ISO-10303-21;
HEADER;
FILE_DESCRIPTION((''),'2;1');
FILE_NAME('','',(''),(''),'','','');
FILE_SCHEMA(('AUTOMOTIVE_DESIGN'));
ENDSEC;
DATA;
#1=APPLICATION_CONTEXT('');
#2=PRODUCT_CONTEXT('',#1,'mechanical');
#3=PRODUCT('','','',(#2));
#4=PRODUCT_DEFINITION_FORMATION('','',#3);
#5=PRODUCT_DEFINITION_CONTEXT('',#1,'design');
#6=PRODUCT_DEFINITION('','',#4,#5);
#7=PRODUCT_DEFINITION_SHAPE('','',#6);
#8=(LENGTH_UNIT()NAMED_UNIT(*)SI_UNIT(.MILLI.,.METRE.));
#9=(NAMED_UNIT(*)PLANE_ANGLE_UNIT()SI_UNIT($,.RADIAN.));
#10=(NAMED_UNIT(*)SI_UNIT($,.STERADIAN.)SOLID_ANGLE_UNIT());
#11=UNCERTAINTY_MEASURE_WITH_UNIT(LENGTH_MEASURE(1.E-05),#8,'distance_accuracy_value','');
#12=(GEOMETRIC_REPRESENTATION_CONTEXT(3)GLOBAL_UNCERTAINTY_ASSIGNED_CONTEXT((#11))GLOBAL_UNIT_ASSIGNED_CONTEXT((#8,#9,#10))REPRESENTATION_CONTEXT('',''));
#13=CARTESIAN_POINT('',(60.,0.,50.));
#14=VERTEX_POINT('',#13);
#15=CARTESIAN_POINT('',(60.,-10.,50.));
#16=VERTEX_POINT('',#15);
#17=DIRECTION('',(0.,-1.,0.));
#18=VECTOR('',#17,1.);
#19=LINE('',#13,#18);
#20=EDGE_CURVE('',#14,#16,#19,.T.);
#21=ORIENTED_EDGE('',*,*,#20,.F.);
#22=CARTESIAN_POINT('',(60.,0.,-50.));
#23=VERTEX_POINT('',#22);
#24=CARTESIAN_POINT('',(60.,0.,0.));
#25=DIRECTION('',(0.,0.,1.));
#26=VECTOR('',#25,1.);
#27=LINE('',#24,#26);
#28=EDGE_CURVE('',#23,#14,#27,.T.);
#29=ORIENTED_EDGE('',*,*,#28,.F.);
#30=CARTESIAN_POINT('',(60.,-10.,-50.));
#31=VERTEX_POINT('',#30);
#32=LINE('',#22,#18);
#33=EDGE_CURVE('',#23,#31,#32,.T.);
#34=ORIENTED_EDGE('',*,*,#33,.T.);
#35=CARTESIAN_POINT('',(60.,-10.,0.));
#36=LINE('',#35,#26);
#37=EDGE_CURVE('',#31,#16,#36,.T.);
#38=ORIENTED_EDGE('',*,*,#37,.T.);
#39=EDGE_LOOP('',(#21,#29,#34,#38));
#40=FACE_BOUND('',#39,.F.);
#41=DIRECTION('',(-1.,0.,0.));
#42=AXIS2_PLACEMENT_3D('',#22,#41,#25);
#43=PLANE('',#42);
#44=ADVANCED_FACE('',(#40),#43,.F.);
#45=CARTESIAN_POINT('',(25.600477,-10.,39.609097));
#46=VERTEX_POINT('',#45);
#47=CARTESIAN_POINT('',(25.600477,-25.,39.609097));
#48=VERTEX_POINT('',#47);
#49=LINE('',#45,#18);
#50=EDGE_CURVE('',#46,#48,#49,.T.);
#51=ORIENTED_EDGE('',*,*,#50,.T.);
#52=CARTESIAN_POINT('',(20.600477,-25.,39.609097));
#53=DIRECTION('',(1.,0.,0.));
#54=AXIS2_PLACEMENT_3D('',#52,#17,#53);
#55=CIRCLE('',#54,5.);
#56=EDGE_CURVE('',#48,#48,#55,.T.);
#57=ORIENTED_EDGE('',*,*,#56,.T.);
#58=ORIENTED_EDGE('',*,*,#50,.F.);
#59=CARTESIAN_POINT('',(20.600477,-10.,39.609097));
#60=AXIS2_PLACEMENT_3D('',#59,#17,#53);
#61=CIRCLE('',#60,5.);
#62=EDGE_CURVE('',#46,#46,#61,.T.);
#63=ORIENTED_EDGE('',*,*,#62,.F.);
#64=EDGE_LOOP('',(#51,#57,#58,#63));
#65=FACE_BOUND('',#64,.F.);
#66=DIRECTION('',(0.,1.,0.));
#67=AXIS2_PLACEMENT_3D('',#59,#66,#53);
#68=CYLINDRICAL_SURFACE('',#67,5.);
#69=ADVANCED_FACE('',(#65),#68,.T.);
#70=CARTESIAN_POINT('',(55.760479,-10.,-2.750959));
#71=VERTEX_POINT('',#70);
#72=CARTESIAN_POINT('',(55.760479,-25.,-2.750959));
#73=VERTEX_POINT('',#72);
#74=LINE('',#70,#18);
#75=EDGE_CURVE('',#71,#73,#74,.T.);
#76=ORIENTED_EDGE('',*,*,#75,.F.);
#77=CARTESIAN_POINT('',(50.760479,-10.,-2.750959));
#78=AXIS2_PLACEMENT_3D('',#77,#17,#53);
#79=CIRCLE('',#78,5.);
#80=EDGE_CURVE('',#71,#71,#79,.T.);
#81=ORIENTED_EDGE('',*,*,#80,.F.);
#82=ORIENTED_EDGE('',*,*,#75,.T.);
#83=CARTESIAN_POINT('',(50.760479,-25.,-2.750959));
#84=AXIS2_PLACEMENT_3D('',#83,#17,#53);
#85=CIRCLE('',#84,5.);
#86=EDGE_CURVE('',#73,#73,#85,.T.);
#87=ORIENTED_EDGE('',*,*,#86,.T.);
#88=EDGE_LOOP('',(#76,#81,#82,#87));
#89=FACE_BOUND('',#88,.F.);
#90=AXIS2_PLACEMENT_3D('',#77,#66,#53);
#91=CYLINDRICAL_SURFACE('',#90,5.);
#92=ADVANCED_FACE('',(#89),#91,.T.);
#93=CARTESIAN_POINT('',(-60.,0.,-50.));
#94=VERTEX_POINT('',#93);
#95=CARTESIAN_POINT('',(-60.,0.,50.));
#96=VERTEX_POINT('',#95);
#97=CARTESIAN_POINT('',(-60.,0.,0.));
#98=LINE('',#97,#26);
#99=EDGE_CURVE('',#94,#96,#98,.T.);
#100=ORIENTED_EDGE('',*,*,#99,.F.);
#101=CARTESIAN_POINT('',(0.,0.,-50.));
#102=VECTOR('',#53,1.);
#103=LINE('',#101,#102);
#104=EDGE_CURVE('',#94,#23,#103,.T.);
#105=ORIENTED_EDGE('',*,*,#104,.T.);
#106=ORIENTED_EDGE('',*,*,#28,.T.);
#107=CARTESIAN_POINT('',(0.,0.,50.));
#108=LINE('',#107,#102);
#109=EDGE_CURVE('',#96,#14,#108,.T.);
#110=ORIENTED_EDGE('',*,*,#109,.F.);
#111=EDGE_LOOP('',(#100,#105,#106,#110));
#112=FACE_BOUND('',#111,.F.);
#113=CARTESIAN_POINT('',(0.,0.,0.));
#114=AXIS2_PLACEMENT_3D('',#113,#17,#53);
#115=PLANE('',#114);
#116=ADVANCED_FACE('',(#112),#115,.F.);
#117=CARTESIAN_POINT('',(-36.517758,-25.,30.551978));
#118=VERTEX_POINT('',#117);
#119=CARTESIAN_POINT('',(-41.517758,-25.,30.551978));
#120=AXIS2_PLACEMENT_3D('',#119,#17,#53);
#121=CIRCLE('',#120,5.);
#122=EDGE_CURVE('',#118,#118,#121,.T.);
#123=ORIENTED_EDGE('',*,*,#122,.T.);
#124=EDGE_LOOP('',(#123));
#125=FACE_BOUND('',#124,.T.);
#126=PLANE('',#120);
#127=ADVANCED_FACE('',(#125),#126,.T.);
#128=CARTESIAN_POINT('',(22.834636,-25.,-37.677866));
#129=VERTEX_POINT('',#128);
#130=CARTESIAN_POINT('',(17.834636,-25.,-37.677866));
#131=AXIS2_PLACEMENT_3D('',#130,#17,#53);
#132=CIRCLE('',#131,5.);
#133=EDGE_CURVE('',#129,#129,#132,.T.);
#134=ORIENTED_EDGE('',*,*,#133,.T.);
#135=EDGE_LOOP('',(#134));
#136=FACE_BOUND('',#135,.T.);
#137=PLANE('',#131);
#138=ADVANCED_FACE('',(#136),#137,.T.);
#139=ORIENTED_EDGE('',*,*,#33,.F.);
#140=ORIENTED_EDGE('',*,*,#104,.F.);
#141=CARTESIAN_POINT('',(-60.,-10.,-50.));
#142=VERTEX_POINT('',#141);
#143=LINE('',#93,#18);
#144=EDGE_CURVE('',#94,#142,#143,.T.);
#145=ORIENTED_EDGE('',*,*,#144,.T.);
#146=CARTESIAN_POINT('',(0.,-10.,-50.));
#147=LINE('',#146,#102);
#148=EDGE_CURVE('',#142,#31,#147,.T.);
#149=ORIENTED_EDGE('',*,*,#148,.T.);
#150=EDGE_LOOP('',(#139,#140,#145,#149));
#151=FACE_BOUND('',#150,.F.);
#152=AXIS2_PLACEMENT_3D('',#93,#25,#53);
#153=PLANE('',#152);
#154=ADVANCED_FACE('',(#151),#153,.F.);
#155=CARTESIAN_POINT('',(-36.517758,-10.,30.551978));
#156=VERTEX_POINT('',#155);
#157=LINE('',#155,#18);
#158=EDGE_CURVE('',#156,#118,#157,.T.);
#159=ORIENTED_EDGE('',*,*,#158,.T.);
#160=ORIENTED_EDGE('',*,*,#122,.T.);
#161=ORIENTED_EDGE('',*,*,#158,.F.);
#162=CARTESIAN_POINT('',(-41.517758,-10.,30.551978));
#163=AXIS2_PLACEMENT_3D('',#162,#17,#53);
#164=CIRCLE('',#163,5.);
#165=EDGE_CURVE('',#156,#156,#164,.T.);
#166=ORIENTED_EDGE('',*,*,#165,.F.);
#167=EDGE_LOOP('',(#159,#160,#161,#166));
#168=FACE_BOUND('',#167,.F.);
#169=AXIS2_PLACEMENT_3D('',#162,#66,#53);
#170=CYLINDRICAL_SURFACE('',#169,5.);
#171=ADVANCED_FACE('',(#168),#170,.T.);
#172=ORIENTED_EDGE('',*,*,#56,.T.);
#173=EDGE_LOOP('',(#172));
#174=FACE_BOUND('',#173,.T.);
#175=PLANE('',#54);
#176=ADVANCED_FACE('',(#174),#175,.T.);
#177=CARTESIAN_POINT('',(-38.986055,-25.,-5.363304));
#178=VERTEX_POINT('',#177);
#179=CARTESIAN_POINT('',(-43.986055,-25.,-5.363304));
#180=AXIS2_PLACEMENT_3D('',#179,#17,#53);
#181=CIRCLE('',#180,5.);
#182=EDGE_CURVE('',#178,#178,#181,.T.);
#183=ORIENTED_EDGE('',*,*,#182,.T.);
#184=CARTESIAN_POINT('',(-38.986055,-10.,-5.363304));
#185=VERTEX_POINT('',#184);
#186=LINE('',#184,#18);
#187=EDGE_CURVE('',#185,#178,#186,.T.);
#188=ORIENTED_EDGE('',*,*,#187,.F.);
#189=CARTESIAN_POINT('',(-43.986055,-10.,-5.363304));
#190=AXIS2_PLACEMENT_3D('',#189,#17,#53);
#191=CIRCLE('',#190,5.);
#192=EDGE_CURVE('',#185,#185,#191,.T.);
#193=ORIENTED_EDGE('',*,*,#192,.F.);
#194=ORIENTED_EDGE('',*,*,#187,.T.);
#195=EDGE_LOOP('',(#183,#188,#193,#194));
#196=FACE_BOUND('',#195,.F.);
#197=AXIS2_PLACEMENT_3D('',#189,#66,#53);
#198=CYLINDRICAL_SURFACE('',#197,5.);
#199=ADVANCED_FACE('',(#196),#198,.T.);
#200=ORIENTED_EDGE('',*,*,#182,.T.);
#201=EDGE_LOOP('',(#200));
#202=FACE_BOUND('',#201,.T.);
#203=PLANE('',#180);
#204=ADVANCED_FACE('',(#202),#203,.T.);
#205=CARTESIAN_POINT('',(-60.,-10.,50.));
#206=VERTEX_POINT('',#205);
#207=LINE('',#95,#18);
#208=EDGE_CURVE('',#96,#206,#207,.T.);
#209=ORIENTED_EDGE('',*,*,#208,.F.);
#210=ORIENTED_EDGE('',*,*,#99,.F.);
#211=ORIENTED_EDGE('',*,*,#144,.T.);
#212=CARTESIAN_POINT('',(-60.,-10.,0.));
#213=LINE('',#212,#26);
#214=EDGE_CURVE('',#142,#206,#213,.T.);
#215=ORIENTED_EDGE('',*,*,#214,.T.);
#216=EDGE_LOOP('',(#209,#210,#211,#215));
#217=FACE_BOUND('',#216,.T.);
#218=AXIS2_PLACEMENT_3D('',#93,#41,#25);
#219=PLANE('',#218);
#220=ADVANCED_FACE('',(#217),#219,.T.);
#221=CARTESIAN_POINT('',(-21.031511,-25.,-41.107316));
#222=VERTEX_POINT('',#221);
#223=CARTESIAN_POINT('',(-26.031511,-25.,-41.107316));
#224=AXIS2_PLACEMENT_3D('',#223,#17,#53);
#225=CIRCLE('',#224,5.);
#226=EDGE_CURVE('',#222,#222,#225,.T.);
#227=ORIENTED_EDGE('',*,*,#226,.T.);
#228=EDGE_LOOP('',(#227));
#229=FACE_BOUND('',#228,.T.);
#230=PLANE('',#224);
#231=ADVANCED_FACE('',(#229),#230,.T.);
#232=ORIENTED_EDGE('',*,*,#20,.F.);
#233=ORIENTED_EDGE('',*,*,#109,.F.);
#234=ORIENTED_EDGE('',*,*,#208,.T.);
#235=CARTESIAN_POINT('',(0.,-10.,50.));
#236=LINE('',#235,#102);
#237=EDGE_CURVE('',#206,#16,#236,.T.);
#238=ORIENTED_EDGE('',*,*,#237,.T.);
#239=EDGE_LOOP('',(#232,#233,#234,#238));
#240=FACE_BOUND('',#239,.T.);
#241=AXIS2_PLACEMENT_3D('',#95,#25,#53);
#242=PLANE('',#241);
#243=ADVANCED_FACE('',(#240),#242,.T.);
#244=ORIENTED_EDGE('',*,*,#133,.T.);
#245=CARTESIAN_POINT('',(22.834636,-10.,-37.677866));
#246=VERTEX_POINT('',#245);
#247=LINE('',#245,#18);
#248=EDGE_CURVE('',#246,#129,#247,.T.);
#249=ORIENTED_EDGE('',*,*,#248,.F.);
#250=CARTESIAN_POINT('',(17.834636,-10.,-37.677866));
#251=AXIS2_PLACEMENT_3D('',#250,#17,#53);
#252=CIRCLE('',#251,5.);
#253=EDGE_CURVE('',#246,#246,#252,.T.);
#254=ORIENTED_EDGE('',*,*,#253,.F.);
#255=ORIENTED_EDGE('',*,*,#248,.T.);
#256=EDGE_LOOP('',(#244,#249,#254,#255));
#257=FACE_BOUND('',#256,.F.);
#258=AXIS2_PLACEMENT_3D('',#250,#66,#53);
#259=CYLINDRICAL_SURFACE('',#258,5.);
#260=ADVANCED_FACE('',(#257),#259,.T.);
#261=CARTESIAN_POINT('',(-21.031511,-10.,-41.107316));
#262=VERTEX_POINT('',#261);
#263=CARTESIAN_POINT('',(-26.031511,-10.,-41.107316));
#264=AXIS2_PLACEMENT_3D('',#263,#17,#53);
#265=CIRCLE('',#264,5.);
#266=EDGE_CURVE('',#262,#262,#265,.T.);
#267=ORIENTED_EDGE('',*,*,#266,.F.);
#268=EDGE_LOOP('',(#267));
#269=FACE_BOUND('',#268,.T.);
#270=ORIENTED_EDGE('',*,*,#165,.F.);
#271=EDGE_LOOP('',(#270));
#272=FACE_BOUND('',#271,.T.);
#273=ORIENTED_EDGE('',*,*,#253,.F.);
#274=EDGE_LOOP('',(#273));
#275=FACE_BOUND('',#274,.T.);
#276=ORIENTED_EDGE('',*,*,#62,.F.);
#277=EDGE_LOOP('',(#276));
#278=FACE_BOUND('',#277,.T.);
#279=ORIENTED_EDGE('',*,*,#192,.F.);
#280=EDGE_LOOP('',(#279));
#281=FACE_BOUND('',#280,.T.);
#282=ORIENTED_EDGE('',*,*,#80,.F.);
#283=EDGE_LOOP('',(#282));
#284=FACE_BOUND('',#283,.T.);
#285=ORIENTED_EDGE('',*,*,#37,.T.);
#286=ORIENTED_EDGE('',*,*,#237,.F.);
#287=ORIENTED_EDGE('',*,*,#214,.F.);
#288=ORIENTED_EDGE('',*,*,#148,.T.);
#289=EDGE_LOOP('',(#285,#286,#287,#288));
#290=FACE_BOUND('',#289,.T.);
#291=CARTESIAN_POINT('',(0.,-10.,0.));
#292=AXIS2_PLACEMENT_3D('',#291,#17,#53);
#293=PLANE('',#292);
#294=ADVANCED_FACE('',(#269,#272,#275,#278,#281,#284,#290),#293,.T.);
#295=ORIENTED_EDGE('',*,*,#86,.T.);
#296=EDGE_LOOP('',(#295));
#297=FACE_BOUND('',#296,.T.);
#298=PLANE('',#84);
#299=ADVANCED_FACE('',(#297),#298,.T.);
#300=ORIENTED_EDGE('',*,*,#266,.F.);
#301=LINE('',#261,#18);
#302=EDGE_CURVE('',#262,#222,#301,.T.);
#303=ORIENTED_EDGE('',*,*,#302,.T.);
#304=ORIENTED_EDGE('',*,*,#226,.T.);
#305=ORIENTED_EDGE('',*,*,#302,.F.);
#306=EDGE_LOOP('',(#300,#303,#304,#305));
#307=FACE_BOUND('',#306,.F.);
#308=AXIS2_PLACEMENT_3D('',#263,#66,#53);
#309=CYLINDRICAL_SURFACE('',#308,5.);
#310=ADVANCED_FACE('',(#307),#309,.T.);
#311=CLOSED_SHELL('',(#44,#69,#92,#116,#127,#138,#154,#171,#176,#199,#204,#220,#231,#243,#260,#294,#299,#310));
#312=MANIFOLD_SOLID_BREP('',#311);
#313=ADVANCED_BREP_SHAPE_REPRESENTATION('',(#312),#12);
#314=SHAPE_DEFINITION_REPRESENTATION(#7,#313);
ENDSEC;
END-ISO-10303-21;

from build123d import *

# Parameters (mm, degrees)
F0_W     = 120
F0_H     = 100
F1_DEPTH = 10
F2_R     = 5
F3_DEPTH = 15


with BuildPart() as f1:
    # F0 (on Front) → F1 (new body)
    with BuildSketch(Plane.XZ):
        Rectangle(F0_W, F0_H)
    extrude(amount=F1_DEPTH)

    # F2 (on face) → F3 (join)
    with BuildSketch(Plane.XZ.offset(10)):
        with Locations((-41.517758, 30.551978)):
            Circle(F2_R)
        with Locations((-43.986055, -5.363304)):
            Circle(F2_R)
        with Locations((-26.031511, -41.107316)):
            Circle(F2_R)
        with Locations((17.834636, -37.677866)):
            Circle(F2_R)
        with Locations((50.760479, -2.750959)):
            Circle(F2_R)
        with Locations((20.600477, 39.609097)):
            Circle(F2_R)
    extrude(amount=F3_DEPTH)


solid = f1.part
